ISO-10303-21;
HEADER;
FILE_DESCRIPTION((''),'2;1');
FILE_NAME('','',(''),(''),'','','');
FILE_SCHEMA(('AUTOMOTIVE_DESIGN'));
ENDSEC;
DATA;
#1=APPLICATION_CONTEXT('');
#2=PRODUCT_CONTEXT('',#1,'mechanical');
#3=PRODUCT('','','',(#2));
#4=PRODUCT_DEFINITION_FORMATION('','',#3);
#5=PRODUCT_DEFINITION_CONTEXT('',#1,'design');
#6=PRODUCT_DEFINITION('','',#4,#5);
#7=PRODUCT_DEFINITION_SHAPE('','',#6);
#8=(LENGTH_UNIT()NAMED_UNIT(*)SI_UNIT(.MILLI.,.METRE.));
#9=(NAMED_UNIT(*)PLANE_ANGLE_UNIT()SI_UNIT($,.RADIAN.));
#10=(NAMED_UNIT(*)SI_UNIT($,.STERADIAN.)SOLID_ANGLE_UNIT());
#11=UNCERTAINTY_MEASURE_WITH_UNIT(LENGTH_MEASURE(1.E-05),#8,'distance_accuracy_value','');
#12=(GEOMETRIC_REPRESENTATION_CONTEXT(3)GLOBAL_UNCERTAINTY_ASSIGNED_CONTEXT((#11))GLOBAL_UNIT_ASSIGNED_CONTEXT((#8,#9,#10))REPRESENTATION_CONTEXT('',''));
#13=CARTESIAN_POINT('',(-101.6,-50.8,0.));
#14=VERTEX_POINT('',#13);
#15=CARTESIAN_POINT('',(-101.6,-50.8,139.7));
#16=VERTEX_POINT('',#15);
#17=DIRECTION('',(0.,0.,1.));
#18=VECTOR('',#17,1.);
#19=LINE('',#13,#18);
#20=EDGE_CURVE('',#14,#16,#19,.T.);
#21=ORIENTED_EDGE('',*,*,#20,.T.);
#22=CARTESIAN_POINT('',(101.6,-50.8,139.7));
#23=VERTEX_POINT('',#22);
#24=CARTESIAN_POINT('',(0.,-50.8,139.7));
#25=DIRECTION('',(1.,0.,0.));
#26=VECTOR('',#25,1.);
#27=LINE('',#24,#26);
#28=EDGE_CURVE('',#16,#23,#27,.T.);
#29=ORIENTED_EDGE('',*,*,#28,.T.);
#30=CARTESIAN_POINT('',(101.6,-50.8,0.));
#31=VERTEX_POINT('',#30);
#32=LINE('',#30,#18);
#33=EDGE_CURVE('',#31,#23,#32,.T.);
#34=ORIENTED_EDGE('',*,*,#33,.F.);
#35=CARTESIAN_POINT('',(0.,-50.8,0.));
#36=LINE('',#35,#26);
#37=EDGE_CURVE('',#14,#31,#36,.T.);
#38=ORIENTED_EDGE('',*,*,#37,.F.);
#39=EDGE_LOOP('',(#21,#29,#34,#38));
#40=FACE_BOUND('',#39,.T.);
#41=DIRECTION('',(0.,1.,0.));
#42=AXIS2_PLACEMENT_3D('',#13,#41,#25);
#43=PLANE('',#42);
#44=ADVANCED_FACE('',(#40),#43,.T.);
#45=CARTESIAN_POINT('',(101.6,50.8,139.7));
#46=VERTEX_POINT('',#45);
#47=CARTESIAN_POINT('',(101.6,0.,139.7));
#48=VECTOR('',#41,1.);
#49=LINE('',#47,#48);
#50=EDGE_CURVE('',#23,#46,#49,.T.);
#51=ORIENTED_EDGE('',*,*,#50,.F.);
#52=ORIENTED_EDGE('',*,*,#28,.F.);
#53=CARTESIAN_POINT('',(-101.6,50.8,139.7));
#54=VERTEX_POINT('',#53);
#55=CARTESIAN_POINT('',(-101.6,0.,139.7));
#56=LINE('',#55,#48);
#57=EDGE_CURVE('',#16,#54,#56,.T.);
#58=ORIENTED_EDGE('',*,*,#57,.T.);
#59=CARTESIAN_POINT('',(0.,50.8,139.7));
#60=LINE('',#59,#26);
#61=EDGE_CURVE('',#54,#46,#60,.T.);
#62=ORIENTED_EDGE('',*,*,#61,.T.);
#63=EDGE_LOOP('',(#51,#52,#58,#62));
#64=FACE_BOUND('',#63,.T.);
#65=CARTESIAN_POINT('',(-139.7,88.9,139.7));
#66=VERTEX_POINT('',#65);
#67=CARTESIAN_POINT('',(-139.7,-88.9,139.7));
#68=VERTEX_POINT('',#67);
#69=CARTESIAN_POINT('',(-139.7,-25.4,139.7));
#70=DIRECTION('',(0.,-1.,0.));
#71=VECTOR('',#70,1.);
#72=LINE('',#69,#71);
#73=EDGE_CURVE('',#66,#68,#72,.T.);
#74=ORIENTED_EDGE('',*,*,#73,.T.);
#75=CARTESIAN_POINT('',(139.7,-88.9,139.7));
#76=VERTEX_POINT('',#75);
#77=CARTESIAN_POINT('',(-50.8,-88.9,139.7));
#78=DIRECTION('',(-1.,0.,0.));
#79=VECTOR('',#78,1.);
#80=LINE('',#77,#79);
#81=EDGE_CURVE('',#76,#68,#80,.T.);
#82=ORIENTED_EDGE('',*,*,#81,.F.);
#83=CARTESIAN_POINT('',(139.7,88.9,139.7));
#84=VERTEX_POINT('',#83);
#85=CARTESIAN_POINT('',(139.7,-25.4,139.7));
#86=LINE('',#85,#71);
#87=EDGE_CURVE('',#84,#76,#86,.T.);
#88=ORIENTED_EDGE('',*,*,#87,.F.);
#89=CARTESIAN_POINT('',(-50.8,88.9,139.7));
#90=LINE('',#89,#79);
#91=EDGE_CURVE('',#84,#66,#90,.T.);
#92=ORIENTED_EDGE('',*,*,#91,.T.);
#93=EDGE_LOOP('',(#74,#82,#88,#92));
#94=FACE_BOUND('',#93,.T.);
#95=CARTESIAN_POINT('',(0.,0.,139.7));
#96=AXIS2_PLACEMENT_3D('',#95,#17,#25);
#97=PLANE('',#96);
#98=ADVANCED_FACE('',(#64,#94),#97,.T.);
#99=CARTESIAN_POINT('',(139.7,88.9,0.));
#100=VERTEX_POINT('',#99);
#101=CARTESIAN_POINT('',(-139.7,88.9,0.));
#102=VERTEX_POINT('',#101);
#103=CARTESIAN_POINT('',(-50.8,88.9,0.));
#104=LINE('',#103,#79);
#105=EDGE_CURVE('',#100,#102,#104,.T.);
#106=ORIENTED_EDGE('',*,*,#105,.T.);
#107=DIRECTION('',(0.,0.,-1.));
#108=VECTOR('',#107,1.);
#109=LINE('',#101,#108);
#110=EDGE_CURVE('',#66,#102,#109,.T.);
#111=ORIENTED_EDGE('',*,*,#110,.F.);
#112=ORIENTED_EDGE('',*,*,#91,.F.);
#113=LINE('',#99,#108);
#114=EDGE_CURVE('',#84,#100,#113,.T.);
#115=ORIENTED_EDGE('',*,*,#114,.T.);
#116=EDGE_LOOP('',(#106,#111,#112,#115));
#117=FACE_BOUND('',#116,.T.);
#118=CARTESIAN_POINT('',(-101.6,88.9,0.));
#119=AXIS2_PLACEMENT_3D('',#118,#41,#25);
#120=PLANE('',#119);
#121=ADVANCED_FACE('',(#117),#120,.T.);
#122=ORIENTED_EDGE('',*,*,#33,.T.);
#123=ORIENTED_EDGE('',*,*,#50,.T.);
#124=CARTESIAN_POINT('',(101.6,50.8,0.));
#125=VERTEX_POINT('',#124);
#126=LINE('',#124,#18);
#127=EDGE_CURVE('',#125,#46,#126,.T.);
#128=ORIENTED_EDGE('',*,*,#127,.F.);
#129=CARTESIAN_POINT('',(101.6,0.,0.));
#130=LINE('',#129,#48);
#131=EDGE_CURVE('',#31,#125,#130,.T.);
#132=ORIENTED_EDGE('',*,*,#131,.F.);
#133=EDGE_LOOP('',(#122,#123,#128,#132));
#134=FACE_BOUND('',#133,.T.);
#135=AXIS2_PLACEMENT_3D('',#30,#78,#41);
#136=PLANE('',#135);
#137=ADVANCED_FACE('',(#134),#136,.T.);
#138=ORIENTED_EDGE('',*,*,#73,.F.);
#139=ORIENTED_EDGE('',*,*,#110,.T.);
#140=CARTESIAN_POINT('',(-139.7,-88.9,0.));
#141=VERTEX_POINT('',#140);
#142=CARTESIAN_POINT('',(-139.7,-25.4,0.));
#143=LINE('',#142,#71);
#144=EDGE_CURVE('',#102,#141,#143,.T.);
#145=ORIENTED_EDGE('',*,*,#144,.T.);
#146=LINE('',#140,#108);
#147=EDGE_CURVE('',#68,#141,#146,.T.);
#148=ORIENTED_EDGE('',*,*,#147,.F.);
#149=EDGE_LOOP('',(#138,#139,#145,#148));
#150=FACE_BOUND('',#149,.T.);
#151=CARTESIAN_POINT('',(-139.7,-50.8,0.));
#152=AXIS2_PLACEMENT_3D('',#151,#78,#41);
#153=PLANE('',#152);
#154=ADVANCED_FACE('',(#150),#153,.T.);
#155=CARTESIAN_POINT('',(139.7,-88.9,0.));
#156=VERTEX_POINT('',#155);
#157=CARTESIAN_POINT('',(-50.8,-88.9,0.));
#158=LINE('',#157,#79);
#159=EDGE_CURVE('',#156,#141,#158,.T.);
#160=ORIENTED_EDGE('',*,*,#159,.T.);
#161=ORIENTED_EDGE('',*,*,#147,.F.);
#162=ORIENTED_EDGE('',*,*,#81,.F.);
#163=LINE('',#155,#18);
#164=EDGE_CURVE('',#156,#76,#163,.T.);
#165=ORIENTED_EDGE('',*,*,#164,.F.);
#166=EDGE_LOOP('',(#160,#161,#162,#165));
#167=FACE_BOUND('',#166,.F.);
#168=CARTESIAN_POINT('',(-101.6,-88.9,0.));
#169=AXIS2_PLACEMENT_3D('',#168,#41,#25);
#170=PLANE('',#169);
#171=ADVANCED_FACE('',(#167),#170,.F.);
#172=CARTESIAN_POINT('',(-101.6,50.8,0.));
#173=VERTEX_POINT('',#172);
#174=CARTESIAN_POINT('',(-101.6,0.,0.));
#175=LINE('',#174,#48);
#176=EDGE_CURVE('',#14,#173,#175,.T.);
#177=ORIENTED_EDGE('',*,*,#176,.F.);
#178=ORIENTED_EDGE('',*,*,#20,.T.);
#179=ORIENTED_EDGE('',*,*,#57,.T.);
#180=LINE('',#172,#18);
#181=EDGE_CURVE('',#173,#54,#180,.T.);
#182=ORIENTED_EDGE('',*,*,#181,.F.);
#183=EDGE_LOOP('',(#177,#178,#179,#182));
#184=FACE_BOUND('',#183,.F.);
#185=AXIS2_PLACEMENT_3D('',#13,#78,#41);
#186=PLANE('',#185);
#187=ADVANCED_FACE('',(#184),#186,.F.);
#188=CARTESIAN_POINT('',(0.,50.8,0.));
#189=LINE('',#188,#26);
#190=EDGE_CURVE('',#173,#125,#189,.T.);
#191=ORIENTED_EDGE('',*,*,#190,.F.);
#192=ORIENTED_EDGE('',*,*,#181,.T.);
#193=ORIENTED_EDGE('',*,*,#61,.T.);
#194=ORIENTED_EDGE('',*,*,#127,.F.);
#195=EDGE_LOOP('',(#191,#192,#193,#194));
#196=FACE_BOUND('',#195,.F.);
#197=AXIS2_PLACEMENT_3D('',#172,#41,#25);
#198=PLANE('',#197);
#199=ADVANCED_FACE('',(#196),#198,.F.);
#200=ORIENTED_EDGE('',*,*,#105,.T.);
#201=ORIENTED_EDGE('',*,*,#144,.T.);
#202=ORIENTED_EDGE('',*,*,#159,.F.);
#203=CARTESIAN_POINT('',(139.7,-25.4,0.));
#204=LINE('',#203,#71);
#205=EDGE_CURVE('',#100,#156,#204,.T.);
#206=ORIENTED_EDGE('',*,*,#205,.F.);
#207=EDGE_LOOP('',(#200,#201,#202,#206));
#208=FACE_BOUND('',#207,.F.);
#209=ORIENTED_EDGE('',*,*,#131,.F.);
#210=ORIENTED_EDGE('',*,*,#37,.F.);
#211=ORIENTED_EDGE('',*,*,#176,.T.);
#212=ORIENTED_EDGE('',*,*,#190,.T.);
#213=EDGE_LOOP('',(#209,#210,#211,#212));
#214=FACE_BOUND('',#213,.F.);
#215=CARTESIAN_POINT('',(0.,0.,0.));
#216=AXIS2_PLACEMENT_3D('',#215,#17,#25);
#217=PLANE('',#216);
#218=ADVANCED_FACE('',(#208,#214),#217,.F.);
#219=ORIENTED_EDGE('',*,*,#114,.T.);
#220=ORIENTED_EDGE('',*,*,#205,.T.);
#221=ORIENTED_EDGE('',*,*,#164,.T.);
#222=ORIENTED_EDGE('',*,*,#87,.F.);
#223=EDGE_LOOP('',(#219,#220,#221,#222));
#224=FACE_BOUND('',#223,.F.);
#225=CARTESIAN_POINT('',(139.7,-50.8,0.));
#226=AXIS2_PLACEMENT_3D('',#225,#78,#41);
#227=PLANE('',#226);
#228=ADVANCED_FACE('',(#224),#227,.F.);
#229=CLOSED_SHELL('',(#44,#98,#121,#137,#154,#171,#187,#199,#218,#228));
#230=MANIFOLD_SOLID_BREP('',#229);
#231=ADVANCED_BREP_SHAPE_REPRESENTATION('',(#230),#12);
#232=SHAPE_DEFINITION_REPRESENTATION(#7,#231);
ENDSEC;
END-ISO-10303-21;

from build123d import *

# Parameters (mm, degrees)
F0_W     = 203.2
F0_H     = 101.6
F1_DEPTH = 139.7
F2_T     = 38.1


with BuildPart() as f1:
    # F0 (on Top) → F1 (new body)
    with BuildSketch(Plane.XY):
        Rectangle(F0_W, F0_H)
    extrude(amount=F1_DEPTH)

    # F2
    f2_openings = [f1.faces().sort_by_distance(p)[0] for p in [
        (0, 0, 139.7),
        (0, 0, 0),
    ]]
    offset(amount=F2_T, openings=f2_openings, kind=Kind.INTERSECTION)


solid = f1.part
